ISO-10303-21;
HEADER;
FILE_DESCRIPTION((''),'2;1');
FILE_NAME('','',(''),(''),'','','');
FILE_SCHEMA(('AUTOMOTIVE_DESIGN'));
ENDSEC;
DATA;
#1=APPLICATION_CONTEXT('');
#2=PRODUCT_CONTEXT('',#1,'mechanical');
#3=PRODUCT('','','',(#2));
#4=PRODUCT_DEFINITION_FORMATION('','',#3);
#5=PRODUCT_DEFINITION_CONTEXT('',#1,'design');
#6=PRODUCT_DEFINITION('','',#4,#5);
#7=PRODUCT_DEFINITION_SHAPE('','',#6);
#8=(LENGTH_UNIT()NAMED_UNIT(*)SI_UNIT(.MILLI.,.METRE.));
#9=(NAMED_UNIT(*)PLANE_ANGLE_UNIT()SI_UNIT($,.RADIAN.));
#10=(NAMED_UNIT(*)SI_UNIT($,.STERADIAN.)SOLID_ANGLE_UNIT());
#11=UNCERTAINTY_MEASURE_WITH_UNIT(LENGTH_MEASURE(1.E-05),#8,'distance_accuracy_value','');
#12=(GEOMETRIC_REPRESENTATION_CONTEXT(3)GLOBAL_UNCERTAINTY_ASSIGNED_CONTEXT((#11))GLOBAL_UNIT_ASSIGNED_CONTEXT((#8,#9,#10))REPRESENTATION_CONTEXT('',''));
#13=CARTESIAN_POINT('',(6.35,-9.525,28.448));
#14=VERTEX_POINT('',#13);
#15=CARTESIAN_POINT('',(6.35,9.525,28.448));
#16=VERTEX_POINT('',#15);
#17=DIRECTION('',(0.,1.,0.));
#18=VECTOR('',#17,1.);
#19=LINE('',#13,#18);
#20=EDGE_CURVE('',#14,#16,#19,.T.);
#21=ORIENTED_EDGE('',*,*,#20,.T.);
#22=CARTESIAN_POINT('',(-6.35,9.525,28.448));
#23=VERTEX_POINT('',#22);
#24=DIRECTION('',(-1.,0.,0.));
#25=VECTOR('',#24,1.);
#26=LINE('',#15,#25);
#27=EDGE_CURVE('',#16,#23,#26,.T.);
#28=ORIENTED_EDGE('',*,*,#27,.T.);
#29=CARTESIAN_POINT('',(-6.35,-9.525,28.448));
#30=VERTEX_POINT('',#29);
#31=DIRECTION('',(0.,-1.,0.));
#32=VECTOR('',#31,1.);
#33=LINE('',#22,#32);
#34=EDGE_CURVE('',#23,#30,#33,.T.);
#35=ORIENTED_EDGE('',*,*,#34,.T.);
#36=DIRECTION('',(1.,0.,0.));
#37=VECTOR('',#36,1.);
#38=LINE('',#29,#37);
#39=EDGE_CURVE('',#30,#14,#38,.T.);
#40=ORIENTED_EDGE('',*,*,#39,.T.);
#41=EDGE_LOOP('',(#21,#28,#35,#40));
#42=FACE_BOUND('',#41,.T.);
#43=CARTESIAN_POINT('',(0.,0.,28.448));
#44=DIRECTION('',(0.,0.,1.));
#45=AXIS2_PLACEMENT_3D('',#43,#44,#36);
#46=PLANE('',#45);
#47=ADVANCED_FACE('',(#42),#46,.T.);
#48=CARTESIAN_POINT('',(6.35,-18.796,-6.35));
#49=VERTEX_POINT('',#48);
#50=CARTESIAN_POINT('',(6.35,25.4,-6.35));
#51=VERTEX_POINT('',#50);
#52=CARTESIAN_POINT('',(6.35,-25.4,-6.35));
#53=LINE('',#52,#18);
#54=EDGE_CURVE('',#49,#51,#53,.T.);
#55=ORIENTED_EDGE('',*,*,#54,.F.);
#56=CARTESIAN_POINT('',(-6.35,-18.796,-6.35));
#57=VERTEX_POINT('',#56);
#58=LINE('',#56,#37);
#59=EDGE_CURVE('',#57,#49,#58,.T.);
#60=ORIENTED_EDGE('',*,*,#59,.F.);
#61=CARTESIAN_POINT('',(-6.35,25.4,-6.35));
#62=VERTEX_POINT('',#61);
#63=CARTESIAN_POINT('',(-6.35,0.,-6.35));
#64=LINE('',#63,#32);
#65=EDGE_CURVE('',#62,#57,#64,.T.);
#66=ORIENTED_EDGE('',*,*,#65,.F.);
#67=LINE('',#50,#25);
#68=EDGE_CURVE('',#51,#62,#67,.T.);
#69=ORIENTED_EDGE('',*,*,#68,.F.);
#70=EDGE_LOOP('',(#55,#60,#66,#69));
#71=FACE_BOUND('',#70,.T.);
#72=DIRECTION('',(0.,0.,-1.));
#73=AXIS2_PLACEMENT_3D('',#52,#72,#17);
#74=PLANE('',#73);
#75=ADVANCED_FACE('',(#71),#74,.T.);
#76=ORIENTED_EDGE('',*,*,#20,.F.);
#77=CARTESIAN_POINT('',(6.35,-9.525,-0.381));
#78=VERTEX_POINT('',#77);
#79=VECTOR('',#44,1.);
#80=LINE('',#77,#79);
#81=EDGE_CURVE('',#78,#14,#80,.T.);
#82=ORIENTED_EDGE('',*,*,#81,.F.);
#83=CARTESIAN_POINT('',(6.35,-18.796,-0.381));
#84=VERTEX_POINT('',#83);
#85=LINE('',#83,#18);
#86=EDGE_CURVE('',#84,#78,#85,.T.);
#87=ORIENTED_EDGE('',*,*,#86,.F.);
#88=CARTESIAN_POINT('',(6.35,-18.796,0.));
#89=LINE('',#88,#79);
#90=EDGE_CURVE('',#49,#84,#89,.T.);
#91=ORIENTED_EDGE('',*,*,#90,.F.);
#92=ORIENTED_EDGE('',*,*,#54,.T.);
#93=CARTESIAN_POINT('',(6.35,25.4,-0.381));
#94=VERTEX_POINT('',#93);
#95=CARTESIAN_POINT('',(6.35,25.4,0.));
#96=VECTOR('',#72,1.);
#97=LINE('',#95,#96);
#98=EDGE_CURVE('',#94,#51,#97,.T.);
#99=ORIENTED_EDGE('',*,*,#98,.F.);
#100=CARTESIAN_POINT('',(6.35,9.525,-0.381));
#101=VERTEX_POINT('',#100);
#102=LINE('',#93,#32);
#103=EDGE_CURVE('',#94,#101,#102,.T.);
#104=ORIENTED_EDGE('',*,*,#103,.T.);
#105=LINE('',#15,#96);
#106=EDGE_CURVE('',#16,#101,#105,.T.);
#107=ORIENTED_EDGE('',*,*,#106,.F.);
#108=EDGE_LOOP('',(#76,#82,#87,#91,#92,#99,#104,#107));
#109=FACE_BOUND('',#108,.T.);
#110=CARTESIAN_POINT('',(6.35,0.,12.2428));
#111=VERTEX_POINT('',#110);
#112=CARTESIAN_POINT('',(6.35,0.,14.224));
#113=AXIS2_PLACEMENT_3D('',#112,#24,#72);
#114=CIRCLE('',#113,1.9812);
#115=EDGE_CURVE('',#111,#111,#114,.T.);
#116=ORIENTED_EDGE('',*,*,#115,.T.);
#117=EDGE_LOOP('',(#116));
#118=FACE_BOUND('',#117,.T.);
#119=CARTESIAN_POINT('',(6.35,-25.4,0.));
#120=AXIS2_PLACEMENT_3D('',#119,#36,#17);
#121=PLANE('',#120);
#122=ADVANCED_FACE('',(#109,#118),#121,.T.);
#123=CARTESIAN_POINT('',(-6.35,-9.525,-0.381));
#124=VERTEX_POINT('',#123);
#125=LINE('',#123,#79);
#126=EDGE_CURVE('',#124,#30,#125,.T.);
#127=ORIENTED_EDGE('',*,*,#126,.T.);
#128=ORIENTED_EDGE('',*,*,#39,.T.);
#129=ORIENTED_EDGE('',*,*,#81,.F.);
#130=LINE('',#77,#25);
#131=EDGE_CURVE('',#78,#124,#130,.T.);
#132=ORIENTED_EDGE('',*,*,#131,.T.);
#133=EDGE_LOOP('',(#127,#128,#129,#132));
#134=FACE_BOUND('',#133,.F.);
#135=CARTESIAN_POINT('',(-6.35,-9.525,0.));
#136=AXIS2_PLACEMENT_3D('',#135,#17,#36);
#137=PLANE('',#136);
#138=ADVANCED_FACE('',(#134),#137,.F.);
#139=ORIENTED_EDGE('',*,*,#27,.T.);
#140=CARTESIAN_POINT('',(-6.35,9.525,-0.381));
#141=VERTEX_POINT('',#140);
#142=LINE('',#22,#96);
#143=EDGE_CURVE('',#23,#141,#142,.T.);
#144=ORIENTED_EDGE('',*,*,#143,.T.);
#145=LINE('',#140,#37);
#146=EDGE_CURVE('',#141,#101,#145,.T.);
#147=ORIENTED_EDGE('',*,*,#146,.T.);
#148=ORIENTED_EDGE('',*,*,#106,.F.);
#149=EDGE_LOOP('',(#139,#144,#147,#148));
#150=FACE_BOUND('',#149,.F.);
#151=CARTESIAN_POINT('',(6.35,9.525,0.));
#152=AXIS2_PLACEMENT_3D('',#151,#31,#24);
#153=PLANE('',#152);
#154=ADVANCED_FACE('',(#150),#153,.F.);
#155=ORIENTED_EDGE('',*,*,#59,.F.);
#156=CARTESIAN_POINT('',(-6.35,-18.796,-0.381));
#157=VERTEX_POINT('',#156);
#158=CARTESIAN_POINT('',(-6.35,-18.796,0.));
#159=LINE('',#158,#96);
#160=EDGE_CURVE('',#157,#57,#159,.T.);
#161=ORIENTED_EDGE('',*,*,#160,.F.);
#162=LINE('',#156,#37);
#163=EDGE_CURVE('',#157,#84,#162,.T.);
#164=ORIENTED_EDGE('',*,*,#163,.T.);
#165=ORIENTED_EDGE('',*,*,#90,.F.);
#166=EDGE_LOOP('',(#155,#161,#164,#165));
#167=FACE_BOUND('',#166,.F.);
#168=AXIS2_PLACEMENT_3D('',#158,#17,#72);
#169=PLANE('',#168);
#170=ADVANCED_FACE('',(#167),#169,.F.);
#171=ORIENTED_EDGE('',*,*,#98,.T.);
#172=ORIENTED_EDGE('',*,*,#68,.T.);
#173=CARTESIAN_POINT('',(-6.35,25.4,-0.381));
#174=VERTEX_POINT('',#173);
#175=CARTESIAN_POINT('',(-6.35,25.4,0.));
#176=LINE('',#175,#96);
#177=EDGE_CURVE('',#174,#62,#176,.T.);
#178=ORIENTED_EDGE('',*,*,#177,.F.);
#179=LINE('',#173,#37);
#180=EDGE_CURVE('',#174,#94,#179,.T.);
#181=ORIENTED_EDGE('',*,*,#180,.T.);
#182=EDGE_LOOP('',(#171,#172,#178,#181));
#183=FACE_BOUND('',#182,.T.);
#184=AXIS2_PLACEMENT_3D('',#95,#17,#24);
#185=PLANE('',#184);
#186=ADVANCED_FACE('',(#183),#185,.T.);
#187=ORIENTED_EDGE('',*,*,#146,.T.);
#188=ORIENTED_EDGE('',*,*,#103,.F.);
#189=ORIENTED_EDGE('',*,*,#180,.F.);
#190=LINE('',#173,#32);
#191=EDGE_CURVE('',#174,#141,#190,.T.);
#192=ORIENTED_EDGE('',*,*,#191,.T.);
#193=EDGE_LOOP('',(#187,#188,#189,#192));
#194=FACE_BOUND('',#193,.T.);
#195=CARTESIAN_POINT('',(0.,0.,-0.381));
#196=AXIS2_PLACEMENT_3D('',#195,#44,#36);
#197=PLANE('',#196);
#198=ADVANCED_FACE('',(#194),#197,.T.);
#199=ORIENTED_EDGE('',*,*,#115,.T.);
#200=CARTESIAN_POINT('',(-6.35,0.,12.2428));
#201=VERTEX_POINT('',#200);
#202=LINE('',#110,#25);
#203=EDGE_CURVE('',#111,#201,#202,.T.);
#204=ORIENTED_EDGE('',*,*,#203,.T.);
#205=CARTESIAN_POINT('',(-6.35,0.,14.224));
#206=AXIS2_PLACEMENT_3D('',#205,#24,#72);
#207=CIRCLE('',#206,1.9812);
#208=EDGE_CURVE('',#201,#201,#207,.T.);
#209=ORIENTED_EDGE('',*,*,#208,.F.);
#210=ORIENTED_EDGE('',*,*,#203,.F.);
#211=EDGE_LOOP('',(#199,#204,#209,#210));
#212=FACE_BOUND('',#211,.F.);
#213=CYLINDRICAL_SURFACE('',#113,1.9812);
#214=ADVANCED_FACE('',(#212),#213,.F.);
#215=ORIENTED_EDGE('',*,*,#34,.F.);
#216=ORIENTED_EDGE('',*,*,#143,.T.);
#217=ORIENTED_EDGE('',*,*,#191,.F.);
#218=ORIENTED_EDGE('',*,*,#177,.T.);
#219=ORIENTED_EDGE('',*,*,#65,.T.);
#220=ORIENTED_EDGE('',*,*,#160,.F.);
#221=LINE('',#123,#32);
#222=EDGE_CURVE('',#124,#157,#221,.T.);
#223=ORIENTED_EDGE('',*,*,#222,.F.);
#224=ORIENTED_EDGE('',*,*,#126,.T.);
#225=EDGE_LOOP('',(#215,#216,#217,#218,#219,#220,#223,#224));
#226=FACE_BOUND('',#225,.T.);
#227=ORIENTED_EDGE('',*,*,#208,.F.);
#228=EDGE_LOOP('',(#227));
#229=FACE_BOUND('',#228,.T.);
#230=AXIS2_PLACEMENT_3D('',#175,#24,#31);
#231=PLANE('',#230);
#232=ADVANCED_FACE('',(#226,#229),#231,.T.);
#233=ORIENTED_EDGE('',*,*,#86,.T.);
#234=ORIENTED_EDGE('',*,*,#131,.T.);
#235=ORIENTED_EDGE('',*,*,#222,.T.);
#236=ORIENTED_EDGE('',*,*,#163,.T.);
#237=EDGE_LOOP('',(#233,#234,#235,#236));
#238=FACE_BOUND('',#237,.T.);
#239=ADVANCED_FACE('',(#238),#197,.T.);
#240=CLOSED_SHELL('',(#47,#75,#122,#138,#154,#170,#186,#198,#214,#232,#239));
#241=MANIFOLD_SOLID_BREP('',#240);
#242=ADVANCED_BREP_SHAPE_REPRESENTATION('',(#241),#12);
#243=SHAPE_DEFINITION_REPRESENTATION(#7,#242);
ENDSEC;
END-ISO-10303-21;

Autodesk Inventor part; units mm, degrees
ref_plane "YZ Plane" through (0, 0, 0) normal (1, 0, 0) x (0, 1, 0)
ref_plane "XZ Plane" through (0, 0, 0) normal (0, 1, 0) x (-1, 0, 0)
ref_plane "XY Plane" through (0, 0, 0) normal (0, 0, 1) x (1, 0, 0)
sketch "Sketch1" plane through (0, 0, 0) normal (0, 0, 1) x (1, 0, 0)
  line L0 (-6.35, -25.4) -> (6.35, -25.4)
  line L1 (6.35, -25.4) -> (6.35, 25.4)
  line L2 (6.35, 25.4) -> (-6.35, 25.4)
  line L3 (-6.35, 25.4) -> (-6.35, -25.4)
  line L4 (-6.35, -25.4) -> (6.35, 25.4) construction
  line L5 (6.35, -25.4) -> (-6.35, 25.4) construction
  point P0 (0, 0)
  dimension "height" = 50.8
  dimension "width" = 12.7
extrude "Extrusion1" add sketch "Sketch1" against normal blind 12.7
sketch "Sketch3" plane through (0, 0, 0) normal (0, 0, 1) x (1, 0, 0)
  line L0 (-6.35, -9.525) -> (6.35, -9.525)
  line L1 (6.35, -9.525) -> (6.35, 9.525)
  line L2 (6.35, 9.525) -> (-6.35, 9.525)
  line L3 (-6.35, 9.525) -> (-6.35, -9.525)
  line L4 (-6.35, -9.525) -> (6.35, 9.525) construction
  line L5 (6.35, -9.525) -> (-6.35, 9.525) construction
  line L6 (6.35, 25.4) -> (-6.35, 25.4) projected
  point P0 (0, 0)
  dimension "Channel_Width" = 19.05
  dimension "d52" = 12.7
extrude "Extrusion3" add sketch "Sketch3" along normal blind 28.448
sketch "Sketch6" plane through (6.35, -25.4, -12.7) normal (1, 0, 0) x (0, 0, -1)
  line L0 (-12.7, 25.4) -> (-41.148, 25.4) construction
  line L1 (-41.148, 15.875) -> (-41.148, 34.925) construction
  line L2 (-12.7, 34.925) -> (-12.7, 50.8) construction
  point P0 (-26.924, 25.4)
  dimension "d53" = 14.224
hole "Hole5" at (6.35, 0, 14.224) direction (-1, 0, 0) diameter 3.9624 end through all thread size "10-32 UNF" class "2B" standard "ANSI Unified Screw Threads"
sketch "Sketch13" plane through (6.35, -25.4, -12.7) normal (1, 0, 0) x (0, 0, -1)
  line L0 (-12.7, 50.8) -> (0, 50.8) projected
  line L1 (0, 0) -> (-6.35, 0)
  line L2 (-6.35, 0) -> (-6.35, 50.8)
  line L3 (-6.35, 50.8) -> (0, 50.8)
  line L4 (0, 50.8) -> (0, 0)
  point P0 (-12.7, 25.4)
  dimension "d98" = 6.35
extrude "Extrusion5" cut sketch "Sketch13" against normal through all
sketch "Sketch14" plane through (-6.35, -25.4, 0) normal (-1, 0, 0) x (0, 0, 1)
  line L0 (0, 0) -> (-6.35, 0) projected
  line L1 (0, 0) -> (0, 15.875) projected
  line L2 (-6.35, 0) -> (0, 0)
  line L3 (0, 0) -> (0, 6.604)
  line L4 (0, 6.604) -> (-6.35, 6.604)
  line L5 (-6.35, 6.604) -> (-6.35, 0)
  point P0 (0, 25.4)
  dimension "d101" = 6.604
extrude "Extrusion6" cut sketch "Sketch14" against normal through all
sketch "Sketch16" plane through (6.35, 9.525, 0) normal (1, 0, 0) x (0, 0, -1)
  point P0 (0, -9.525)
sketch "Sketch17" plane through (0, 0, 0) normal (0, 0, 1) x (1, 0, 0)
  line L0 (-6.35, 25.4) -> (-6.35, 9.525) projected
  line L1 (-6.35, 9.525) -> (6.35, 9.525) projected
  line L2 (-6.35, 25.4) -> (6.35, 25.4)
  line L3 (6.35, 25.4) -> (6.35, 9.525)
  line L4 (6.35, 9.525) -> (-6.35, 9.525)
  line L5 (-6.35, 9.525) -> (-6.35, 25.4)
  point P0 (0, 0)
extrude "Extrusion7" cut sketch "Sketch17" against normal blind 0.381
sketch "Sketch18" plane through (0, 0, 0) normal (0, 0, 1) x (1, 0, 0)
  line L0 (-6.35, -18.796) -> (6.35, -18.796) projected
  line L1 (6.35, -9.525) -> (6.35, 9.525) projected
  line L2 (-6.35, -18.796) -> (6.35, -18.796)
  line L3 (6.35, -18.796) -> (6.35, -9.525)
  line L4 (6.35, -9.525) -> (-6.35, -9.525)
  line L5 (-6.35, -9.525) -> (-6.35, -18.796)
  point P0 (0, 0)
extrude "Extrusion8" cut sketch "Sketch18" against normal blind 0.381
sketch "Sketch10" plane through (0, 0, 28.448) normal (0, 0, 1) x (1, 0, 0)
  point P0 (0, 0)
sketch "Sketch12" plane through (-6.35, -9.525, 0) normal (0, -1, 0) x (1, 0, 0)
  point P0 (15.875, 15.875)
equation "\"width\" = partWidth"
equation "\"d52\" = width"
equation "\"Channel_Height\" = 2 * centerLineOfCylinder"
equation "\"d53\" = centerLineOfCylinder"
equation "\"partWidth\" = 12.7"
equation "\"centerLineOfCylinder\" = 14.224"
properties part number "vexTempConnectionToCylinder" material "Aluminum 6061"
